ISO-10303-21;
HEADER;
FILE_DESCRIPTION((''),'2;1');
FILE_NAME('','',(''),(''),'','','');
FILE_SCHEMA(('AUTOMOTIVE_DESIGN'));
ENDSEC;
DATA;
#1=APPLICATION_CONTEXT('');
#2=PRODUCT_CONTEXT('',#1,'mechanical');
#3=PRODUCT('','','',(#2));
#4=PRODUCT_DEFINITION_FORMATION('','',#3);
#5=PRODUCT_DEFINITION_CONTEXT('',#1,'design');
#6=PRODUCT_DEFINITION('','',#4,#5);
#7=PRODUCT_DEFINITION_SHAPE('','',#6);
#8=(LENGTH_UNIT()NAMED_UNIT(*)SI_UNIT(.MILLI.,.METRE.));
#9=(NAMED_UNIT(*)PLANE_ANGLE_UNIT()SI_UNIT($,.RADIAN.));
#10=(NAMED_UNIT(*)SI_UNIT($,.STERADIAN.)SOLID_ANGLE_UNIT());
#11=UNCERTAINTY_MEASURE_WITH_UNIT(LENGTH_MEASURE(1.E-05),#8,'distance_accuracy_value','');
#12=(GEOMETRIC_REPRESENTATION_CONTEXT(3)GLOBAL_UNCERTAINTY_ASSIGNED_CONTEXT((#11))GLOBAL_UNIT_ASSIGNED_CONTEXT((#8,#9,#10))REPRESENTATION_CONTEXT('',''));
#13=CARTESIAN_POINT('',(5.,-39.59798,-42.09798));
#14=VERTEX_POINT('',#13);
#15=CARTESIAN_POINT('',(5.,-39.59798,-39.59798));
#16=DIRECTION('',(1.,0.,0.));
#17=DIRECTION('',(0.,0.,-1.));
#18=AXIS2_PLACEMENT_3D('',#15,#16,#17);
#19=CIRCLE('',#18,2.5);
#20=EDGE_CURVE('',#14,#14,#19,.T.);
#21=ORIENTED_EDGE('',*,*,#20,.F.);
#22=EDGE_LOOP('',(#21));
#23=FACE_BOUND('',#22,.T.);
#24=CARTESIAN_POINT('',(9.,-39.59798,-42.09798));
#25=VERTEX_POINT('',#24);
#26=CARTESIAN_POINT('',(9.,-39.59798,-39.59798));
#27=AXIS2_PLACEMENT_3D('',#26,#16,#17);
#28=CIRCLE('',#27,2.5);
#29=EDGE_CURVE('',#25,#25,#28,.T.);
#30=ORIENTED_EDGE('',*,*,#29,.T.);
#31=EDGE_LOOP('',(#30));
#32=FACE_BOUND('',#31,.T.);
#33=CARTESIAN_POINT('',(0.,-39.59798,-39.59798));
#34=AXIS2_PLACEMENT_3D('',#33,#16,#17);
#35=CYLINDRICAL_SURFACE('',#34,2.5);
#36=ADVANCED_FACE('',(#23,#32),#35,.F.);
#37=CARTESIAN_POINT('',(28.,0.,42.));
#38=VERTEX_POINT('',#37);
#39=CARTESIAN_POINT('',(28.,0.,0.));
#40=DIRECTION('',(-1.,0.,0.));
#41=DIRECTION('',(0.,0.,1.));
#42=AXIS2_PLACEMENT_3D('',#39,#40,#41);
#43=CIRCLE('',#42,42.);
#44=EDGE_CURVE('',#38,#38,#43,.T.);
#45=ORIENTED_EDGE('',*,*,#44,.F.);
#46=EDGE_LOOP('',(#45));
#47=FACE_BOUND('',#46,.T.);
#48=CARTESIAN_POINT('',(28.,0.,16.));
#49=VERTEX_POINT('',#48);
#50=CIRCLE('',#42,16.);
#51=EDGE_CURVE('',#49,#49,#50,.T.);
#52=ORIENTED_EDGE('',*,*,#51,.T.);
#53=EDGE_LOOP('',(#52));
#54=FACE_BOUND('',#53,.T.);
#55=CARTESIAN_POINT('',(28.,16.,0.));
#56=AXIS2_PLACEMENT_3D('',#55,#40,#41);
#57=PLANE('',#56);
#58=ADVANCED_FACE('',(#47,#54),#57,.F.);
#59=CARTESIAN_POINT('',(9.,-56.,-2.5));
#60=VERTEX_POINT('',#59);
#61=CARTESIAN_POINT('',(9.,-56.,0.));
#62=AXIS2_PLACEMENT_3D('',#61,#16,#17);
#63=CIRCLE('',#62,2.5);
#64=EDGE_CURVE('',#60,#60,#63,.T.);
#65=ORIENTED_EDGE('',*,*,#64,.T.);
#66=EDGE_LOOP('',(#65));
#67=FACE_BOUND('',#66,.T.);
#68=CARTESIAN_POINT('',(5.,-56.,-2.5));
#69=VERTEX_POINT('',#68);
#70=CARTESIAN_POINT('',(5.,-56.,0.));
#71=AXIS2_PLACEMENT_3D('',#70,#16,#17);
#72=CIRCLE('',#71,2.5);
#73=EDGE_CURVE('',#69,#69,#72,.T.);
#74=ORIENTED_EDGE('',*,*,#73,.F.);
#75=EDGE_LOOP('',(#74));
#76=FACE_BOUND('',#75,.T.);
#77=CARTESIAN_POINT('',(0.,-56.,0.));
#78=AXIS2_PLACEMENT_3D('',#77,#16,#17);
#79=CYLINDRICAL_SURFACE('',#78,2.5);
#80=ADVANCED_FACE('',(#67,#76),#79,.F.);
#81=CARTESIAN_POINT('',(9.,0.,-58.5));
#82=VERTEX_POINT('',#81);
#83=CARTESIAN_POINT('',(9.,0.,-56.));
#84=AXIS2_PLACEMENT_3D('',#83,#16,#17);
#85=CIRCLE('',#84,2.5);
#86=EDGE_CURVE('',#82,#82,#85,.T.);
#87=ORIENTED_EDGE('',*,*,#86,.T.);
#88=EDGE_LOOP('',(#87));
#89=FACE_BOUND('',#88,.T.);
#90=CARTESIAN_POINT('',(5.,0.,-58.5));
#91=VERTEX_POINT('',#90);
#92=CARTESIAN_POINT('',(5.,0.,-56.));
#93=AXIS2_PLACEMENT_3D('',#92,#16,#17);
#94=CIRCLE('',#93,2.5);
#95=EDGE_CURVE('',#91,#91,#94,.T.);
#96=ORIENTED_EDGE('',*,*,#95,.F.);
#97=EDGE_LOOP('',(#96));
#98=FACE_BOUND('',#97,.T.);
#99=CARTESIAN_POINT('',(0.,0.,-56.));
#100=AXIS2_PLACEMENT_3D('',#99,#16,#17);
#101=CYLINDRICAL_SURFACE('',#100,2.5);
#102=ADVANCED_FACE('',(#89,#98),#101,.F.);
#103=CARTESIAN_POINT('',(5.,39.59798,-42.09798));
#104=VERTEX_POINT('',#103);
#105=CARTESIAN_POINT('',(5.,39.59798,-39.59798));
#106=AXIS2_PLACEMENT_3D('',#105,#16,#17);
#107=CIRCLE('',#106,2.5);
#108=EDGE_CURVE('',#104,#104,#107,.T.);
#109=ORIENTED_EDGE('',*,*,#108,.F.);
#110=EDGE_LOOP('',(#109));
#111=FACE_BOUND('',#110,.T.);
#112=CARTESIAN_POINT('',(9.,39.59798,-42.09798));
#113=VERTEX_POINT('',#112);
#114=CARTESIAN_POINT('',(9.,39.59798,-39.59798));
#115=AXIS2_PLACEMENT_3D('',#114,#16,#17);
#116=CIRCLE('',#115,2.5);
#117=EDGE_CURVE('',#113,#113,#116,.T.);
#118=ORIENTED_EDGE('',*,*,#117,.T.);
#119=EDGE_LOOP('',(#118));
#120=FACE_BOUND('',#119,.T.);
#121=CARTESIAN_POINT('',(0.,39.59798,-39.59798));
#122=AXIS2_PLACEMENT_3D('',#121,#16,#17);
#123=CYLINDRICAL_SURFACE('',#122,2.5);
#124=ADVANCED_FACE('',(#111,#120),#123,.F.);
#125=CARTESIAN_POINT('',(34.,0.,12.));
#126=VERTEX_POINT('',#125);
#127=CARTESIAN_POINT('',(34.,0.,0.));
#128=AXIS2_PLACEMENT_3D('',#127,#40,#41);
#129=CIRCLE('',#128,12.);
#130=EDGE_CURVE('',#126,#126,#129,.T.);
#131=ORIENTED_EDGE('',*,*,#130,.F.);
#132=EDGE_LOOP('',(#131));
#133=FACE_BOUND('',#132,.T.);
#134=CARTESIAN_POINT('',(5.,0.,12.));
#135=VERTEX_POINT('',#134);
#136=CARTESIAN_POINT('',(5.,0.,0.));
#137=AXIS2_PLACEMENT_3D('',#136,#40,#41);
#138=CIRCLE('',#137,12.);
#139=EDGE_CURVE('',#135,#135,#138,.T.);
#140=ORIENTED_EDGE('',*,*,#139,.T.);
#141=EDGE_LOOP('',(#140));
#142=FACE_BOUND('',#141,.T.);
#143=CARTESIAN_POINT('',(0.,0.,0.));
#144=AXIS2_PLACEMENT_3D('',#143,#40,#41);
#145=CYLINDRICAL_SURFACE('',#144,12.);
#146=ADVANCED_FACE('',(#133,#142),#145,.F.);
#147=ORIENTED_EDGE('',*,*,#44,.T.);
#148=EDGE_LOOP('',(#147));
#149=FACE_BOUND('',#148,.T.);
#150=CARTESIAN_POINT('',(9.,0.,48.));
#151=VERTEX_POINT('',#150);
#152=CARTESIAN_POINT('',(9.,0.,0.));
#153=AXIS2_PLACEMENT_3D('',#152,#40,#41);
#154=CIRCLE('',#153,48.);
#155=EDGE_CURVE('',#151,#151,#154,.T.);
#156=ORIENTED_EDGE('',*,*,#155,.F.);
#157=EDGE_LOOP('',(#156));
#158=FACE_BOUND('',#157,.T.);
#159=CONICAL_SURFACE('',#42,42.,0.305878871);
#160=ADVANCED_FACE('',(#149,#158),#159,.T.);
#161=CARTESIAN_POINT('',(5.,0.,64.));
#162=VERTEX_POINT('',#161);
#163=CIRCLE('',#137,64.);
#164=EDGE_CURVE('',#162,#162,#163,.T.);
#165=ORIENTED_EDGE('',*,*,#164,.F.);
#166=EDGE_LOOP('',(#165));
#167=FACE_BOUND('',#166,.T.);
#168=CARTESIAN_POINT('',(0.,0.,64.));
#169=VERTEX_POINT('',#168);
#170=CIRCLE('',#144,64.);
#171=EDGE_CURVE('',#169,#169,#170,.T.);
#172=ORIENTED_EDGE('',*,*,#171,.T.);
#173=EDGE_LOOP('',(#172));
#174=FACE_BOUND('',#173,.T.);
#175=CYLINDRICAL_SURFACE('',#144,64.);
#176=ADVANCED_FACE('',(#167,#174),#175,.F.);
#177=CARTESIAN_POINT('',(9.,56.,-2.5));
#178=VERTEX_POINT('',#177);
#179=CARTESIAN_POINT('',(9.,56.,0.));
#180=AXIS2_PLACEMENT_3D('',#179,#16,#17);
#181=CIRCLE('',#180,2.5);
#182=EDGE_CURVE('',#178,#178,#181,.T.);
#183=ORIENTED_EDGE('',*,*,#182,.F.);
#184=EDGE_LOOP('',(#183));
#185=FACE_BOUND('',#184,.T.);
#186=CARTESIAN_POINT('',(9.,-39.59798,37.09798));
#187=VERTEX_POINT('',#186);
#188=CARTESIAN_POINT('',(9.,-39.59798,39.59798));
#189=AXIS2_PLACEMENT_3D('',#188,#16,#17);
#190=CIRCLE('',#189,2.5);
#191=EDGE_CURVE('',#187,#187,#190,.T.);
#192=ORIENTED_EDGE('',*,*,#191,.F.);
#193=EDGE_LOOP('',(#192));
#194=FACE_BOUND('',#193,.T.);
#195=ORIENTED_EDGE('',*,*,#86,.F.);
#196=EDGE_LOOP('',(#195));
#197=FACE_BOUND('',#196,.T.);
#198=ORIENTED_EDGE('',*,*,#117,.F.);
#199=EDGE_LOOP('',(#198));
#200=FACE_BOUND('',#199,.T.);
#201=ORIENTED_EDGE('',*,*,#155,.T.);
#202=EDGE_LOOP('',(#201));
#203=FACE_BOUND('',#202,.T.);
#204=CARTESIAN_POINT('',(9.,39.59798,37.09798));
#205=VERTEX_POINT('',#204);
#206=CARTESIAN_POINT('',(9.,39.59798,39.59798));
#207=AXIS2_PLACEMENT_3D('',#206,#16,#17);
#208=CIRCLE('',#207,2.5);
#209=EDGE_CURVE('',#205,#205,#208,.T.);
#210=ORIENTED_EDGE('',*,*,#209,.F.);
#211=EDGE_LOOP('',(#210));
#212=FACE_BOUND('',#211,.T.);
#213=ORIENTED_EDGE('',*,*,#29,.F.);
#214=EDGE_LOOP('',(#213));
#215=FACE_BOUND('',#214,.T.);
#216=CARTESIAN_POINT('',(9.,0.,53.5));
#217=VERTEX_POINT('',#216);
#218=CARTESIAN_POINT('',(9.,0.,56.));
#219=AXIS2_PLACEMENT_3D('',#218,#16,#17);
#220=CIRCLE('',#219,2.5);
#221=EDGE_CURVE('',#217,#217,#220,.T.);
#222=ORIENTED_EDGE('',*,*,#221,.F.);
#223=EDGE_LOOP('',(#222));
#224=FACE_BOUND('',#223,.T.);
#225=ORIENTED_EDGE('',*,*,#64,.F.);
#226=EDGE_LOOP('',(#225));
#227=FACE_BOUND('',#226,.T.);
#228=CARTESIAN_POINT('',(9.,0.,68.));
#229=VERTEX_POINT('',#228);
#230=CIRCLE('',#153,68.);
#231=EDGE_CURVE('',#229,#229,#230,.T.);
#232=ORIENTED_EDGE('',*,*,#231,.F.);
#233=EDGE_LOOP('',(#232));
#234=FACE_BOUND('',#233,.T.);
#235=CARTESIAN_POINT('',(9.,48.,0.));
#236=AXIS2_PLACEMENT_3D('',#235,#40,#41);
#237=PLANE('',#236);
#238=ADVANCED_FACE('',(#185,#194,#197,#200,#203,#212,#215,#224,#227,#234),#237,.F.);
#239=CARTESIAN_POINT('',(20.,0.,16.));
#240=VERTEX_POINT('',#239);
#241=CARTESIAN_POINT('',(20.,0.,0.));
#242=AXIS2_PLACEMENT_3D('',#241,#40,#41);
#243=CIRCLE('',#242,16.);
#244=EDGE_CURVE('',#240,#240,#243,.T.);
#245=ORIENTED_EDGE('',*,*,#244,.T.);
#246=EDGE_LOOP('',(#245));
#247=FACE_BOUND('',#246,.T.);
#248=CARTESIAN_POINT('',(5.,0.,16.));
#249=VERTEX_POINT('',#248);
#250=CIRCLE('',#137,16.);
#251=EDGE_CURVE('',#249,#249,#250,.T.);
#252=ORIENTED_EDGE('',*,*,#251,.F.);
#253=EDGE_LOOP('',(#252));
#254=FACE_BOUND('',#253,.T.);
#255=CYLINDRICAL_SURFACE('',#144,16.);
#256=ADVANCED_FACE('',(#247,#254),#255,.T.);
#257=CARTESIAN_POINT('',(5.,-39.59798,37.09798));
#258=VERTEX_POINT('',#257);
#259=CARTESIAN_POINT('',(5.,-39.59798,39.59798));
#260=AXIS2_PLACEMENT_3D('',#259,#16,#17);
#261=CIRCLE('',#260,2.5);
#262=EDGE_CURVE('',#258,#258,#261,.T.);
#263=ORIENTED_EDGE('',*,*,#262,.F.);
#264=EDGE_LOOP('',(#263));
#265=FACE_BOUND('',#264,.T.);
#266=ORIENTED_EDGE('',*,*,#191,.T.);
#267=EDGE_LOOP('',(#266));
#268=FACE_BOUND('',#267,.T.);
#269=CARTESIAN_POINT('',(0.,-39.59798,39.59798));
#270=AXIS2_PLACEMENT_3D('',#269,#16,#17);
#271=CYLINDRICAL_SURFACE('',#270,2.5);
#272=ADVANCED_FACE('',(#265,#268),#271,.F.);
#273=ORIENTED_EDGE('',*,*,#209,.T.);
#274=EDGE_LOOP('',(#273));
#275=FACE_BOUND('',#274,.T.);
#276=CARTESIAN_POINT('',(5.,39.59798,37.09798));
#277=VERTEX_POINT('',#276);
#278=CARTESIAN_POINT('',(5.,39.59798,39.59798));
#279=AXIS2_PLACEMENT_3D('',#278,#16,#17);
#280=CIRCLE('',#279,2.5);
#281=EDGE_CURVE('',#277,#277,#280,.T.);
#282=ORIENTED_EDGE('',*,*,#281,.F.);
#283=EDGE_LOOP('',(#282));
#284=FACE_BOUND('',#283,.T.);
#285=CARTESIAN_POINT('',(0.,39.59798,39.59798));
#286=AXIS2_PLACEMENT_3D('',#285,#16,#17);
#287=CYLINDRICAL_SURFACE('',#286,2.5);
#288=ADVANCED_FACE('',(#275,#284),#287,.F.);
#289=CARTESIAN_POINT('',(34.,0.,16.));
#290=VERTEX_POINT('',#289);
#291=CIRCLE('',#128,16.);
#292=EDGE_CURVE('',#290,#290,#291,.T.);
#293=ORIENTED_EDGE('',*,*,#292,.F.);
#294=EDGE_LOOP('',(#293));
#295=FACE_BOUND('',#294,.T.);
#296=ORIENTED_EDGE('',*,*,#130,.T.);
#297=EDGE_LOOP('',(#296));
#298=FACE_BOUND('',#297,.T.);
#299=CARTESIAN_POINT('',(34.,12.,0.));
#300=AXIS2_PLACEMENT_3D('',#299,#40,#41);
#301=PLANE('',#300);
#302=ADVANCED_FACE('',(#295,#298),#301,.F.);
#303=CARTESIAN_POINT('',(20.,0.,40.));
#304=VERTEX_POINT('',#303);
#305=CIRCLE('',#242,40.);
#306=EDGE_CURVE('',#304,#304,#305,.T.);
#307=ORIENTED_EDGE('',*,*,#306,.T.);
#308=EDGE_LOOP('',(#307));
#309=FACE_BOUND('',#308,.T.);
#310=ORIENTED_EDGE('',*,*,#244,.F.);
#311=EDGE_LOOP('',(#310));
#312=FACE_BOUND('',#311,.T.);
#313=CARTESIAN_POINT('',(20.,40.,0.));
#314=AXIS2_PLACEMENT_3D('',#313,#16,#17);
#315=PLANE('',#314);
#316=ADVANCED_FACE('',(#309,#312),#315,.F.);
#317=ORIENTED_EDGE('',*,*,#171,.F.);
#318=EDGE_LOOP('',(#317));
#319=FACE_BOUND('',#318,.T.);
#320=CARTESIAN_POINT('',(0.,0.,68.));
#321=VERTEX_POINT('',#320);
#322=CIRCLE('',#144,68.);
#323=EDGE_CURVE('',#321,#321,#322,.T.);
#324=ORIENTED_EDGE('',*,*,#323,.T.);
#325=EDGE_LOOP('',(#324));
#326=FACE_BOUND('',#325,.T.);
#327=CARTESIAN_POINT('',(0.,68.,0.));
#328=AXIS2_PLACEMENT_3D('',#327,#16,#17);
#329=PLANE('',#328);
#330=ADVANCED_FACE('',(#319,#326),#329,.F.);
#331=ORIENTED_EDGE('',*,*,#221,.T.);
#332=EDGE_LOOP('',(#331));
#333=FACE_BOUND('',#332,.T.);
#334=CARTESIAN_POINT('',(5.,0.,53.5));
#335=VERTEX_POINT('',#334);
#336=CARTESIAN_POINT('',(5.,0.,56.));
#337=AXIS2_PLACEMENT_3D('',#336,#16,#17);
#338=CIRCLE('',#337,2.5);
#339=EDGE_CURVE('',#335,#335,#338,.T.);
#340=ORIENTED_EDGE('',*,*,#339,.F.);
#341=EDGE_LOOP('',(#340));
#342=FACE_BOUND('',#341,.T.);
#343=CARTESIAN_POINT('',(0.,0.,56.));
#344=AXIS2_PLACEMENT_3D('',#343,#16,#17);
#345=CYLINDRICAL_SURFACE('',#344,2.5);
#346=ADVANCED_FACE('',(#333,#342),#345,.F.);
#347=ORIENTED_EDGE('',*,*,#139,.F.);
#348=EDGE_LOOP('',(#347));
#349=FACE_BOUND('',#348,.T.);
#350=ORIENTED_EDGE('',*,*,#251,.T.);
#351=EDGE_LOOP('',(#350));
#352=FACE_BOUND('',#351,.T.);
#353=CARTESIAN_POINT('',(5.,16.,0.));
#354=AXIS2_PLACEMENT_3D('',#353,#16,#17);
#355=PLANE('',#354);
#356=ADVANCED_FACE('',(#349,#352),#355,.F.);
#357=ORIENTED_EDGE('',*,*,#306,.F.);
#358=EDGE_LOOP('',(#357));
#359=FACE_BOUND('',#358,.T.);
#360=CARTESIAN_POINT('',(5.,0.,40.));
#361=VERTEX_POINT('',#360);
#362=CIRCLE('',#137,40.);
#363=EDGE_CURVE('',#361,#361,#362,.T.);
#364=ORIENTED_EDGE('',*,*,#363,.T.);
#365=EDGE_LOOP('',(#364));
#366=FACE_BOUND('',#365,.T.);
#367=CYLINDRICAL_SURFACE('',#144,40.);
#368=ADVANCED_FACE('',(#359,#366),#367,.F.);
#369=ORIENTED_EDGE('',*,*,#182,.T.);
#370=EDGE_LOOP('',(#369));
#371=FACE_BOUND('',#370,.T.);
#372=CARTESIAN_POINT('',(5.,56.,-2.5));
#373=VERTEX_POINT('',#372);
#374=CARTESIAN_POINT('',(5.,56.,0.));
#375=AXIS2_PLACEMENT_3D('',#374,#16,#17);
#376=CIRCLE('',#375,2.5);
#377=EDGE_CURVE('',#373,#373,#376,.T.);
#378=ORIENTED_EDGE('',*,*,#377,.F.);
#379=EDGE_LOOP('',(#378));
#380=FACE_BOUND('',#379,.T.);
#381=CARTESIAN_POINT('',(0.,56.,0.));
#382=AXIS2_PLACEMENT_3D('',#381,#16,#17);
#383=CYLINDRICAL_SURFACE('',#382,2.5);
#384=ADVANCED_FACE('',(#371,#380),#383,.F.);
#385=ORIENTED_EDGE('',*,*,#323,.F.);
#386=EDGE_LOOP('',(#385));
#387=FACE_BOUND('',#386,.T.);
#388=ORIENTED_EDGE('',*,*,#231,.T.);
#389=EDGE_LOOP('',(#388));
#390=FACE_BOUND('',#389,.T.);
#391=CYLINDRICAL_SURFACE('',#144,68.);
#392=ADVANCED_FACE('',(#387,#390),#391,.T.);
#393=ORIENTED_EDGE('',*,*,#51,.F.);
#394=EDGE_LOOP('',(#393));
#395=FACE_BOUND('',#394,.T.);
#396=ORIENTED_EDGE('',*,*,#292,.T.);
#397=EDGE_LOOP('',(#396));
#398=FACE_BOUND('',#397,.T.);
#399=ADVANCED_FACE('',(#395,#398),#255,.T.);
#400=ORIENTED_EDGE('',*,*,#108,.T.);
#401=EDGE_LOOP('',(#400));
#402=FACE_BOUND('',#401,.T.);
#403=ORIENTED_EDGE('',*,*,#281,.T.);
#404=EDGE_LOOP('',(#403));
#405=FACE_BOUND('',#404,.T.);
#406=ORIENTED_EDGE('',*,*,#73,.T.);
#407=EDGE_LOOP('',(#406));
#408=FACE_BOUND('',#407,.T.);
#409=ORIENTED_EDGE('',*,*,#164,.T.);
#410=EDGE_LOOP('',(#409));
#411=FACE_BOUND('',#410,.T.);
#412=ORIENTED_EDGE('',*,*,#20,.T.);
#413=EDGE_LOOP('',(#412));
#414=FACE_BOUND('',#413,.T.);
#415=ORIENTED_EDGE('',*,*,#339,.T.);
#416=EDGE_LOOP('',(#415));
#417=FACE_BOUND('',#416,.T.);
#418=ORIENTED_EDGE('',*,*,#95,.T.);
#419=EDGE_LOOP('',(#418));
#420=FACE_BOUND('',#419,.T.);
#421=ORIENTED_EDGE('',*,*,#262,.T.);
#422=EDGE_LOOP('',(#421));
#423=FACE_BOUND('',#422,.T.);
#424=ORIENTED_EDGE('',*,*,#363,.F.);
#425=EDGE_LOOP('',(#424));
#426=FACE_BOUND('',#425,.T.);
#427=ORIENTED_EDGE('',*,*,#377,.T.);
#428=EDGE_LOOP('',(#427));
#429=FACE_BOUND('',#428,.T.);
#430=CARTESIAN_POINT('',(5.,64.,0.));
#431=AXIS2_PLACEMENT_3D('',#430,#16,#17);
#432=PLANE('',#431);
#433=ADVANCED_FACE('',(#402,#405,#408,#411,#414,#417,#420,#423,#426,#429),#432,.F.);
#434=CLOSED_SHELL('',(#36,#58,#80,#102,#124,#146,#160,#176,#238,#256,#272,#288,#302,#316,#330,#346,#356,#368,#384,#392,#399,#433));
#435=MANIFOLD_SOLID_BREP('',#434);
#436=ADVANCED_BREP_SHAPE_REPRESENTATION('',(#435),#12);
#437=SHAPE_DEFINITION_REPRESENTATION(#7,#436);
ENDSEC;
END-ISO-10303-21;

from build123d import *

# Parameters (mm, degrees)
SKETCH2_R          = 2.5
CUT_EXTRUDE1_DEPTH = 100.36297097


with BuildPart() as part:
    # Sketch1 → Revolve1 (revolve)
    with BuildSketch(Plane.XY, mode=Mode.PRIVATE) as revolve1_sk:
        Polygon((5, 12), (34, 12), (34, 16), (28, 16), (28, 42), (9, 48), (9, 68), (0, 68), (0, 64), (5, 64), (5, 40), (20, 40), (20, 16), (5, 16), align=None)
    revolve(revolve1_sk.sketch.rotate(Axis((0, 0, 0), (1, 0, 0)), 90), axis=Axis((0, 0, 0), (1, 0, 0)))

    # Sketch2 → Cut-Extrude1 (cut, through all)
    with BuildSketch(Plane(origin=(9, 0, 0), x_dir=(0, 0, -1), z_dir=(1, 0, 0))):
        with Locations((0, 56)):
            Circle(SKETCH2_R)
        with Locations((39.597979746, 39.597979746)):
            Circle(SKETCH2_R)
        with Locations((56, 0)):
            Circle(SKETCH2_R)
        with Locations((39.597979746, -39.597979746)):
            Circle(SKETCH2_R)
        with Locations((0, -56)):
            Circle(SKETCH2_R)
        with Locations((-39.597979746, -39.597979746)):
            Circle(SKETCH2_R)
        with Locations((-56, 0)):
            Circle(SKETCH2_R)
        with Locations((-39.597979746, 39.597979746)):
            Circle(SKETCH2_R)
    extrude(amount=-CUT_EXTRUDE1_DEPTH, mode=Mode.SUBTRACT)


solid = part.part
